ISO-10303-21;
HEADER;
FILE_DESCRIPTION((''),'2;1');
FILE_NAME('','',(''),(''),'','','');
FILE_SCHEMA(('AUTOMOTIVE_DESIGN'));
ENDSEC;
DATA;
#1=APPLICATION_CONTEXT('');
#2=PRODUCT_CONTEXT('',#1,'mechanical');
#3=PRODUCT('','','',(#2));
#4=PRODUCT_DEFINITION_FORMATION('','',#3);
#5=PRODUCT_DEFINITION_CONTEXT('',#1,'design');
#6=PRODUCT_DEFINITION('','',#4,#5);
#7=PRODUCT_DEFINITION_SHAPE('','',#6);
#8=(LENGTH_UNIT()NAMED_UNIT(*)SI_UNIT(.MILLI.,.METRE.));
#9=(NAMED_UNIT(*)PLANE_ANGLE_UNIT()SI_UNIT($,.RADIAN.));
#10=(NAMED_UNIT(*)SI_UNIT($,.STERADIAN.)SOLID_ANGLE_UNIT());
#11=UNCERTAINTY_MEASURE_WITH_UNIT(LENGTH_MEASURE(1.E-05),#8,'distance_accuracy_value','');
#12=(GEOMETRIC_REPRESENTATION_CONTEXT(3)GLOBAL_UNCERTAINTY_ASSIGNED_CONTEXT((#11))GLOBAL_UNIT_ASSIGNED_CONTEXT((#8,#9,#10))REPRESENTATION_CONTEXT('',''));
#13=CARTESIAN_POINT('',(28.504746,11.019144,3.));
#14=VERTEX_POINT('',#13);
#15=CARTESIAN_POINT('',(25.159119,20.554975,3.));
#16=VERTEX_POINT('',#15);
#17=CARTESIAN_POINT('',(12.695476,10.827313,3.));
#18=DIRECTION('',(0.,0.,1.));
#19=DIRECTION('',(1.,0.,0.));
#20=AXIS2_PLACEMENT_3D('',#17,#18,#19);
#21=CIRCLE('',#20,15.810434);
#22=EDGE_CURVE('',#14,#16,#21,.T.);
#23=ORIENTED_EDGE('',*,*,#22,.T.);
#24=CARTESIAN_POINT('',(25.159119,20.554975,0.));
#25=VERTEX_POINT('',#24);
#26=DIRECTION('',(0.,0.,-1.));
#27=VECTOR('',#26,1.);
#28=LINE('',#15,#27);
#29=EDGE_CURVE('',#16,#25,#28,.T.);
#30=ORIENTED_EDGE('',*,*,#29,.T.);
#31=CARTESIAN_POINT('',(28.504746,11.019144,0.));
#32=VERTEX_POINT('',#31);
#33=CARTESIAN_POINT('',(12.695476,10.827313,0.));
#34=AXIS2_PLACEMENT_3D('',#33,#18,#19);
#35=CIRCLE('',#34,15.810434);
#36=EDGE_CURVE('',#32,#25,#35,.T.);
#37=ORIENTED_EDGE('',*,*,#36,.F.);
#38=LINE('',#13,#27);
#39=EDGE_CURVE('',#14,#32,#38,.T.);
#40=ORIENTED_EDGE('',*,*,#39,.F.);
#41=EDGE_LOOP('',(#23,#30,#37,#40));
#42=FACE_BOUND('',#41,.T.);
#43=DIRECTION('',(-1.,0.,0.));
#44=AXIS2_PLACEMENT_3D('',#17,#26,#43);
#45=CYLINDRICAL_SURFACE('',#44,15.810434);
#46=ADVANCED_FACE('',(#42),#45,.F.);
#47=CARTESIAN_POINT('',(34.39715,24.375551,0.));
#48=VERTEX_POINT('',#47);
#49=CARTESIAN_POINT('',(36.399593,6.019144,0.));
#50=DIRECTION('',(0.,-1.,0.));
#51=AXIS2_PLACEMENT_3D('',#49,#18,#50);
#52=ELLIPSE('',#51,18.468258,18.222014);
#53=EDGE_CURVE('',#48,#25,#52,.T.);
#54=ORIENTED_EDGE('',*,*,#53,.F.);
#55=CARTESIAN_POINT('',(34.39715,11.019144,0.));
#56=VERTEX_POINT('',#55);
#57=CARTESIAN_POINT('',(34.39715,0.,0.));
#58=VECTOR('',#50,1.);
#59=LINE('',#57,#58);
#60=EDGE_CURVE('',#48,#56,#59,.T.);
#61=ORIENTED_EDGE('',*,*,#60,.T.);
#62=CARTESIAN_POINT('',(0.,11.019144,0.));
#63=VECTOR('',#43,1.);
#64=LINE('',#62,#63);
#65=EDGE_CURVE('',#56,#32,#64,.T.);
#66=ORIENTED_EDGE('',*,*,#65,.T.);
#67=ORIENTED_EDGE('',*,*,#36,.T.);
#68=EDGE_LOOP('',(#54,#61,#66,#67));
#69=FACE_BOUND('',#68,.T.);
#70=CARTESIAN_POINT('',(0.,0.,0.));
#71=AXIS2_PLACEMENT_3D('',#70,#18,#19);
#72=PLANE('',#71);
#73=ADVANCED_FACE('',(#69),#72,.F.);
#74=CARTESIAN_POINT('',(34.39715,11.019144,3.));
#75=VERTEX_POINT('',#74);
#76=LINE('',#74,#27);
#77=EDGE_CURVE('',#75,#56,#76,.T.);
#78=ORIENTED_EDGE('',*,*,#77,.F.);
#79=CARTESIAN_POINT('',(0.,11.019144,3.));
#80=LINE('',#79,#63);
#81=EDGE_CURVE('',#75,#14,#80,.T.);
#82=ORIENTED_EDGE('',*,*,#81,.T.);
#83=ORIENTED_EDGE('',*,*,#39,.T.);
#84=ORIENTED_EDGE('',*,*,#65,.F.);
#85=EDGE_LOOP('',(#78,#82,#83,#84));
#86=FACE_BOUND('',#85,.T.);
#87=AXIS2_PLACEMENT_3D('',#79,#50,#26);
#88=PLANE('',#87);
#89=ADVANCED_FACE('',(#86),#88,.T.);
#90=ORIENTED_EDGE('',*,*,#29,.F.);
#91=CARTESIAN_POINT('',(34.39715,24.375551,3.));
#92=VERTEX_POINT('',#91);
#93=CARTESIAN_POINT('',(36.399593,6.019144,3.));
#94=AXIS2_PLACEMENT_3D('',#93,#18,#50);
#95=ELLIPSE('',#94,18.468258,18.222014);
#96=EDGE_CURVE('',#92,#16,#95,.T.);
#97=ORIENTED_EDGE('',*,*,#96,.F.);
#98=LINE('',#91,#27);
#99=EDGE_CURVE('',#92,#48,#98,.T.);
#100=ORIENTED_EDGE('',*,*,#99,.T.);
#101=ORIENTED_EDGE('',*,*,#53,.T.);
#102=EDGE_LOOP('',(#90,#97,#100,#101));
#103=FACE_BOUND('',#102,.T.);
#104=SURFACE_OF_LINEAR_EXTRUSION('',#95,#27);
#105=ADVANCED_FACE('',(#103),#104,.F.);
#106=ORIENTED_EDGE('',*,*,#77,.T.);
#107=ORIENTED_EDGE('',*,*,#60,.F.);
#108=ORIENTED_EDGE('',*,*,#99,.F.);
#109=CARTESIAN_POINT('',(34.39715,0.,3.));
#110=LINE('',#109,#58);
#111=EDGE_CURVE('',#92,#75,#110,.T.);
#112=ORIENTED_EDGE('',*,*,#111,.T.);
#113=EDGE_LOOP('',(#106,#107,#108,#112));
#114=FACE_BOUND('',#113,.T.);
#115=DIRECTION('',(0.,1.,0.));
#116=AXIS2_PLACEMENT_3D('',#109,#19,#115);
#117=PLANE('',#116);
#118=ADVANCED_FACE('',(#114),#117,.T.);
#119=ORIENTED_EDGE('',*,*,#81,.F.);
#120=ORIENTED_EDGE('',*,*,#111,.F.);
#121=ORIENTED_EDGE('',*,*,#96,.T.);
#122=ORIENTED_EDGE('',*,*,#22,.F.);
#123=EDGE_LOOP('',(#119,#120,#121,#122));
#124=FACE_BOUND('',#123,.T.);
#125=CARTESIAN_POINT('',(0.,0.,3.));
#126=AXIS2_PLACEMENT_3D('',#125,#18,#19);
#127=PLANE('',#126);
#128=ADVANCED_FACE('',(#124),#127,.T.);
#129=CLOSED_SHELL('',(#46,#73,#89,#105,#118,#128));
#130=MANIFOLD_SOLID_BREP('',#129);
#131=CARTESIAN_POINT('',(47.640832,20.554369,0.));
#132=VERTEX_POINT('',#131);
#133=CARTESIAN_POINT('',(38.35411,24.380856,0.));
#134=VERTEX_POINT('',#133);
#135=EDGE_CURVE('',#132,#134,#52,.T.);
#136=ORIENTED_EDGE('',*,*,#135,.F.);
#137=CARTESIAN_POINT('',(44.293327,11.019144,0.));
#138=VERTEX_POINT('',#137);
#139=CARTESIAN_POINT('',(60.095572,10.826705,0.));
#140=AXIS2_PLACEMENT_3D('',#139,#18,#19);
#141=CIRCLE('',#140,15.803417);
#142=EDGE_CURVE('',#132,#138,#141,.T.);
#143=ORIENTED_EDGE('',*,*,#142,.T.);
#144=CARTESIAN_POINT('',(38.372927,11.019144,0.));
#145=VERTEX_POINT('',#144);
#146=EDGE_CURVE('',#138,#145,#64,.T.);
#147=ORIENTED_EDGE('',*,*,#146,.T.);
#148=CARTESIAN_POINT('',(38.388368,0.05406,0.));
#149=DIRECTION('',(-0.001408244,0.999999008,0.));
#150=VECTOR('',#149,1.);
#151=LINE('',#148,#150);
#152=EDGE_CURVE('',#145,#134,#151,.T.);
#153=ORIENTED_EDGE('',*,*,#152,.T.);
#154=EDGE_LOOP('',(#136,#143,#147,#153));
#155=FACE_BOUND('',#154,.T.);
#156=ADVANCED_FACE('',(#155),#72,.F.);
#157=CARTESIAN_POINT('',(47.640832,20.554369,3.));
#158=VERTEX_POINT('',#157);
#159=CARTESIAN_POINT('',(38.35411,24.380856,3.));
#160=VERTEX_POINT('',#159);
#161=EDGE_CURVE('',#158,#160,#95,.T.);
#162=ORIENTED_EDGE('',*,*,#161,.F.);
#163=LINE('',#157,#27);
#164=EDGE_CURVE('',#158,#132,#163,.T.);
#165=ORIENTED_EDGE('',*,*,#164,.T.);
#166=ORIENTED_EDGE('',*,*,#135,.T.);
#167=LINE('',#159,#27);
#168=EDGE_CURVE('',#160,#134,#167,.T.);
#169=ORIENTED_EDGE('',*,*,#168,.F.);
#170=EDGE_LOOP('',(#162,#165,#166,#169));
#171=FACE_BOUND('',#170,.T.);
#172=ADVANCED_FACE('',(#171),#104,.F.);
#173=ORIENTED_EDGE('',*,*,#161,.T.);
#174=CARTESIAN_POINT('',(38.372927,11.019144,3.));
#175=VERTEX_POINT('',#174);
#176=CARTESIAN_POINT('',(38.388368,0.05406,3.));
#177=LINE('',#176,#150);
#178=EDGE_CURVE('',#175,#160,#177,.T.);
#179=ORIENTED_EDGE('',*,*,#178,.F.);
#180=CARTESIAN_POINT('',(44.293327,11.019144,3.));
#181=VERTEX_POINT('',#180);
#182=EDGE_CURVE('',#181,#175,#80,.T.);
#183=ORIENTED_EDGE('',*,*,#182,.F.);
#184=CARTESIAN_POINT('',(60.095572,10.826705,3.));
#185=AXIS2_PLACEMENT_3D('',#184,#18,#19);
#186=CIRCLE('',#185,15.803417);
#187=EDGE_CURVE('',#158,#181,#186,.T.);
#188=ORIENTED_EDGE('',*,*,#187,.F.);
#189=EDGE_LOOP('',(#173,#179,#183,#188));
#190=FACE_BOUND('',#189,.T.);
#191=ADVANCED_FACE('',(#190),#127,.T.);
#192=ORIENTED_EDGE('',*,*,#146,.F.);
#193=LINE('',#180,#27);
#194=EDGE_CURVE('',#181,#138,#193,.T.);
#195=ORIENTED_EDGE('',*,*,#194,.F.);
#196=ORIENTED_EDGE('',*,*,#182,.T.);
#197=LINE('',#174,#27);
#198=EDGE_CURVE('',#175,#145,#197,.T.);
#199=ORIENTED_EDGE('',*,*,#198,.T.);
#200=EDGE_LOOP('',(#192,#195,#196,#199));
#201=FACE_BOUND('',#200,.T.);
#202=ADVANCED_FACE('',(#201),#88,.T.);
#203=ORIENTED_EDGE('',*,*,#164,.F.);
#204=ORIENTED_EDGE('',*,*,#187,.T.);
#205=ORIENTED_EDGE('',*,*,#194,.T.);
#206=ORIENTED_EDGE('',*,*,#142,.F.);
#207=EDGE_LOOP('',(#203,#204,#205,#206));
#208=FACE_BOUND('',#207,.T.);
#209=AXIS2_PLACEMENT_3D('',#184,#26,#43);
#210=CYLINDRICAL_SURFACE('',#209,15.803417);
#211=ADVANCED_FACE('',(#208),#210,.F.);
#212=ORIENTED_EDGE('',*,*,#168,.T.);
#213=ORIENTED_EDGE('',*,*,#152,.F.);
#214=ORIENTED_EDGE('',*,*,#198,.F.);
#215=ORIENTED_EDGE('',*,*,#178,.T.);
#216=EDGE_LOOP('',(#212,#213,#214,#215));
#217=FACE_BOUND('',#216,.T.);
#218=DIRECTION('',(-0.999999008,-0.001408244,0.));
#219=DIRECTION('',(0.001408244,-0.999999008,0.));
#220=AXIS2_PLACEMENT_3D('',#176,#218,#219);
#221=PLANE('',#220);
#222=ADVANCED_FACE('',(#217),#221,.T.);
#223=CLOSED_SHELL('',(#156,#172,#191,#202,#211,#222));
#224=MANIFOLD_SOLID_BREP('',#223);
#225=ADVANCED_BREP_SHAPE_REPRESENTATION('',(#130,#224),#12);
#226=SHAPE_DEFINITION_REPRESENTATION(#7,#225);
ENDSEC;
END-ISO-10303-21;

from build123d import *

# Parameters (mm, degrees)
SALIENTE_EXTRUIR1_DEPTH   = 3
SALIENTE_EXTRUIR1_2_DEPTH = 3


with BuildPart() as part:
    # Model → Saliente-Extruir1 (new body)
    with BuildSketch(Plane.XY):
        with BuildLine():
            Line((28.504746215, 11.01914405), (34.397149805, 11.01914405))
            Line((34.397149805, 11.01914405), (34.397149805, 24.375550539))
            add(Edge.make_bspline(
                [(34.397149805, 24.375550539), (29.241616022, 23.797846573), (25.15911927, 20.554975457)],
                knots=[3.251706493, 3.251706493, 3.251706493, 3.806338024, 3.806338024, 3.806338024], degree=2, weights=[1, 0.961769503, 0.999950817]))
            ThreePointArc((25.15911927, 20.554975457), (27.614337529, 16.061564872), (28.504746215, 11.01914405))
        make_face()
    extrude(amount=SALIENTE_EXTRUIR1_DEPTH)


with BuildPart() as body_2:
    # Model → Saliente-Extruir1 2 (new body)
    with BuildSketch(Plane.XY):
        with BuildLine():
            Line((38.372926733, 11.01914405), (44.29332666, 11.01914405))
            ThreePointArc((44.29332666, 11.01914405), (45.184353453, 16.061545628), (47.640831503, 20.554368572))
            add(Edge.make_bspline(
                [(47.640831503, 20.554368572), (43.537574655, 23.814087787), (38.35411017, 24.38085595)],
                knots=[2.476794104, 2.476794104, 2.476794104, 3.034124618, 3.034124618, 3.034124618], degree=2, weights=[0.999950091, 0.961398815, 1]))
            Line((38.35411017, 24.38085595), (38.372926733, 11.01914405))
        make_face()
    extrude(amount=SALIENTE_EXTRUIR1_2_DEPTH)


solid = Compound([part.part, body_2.part])
